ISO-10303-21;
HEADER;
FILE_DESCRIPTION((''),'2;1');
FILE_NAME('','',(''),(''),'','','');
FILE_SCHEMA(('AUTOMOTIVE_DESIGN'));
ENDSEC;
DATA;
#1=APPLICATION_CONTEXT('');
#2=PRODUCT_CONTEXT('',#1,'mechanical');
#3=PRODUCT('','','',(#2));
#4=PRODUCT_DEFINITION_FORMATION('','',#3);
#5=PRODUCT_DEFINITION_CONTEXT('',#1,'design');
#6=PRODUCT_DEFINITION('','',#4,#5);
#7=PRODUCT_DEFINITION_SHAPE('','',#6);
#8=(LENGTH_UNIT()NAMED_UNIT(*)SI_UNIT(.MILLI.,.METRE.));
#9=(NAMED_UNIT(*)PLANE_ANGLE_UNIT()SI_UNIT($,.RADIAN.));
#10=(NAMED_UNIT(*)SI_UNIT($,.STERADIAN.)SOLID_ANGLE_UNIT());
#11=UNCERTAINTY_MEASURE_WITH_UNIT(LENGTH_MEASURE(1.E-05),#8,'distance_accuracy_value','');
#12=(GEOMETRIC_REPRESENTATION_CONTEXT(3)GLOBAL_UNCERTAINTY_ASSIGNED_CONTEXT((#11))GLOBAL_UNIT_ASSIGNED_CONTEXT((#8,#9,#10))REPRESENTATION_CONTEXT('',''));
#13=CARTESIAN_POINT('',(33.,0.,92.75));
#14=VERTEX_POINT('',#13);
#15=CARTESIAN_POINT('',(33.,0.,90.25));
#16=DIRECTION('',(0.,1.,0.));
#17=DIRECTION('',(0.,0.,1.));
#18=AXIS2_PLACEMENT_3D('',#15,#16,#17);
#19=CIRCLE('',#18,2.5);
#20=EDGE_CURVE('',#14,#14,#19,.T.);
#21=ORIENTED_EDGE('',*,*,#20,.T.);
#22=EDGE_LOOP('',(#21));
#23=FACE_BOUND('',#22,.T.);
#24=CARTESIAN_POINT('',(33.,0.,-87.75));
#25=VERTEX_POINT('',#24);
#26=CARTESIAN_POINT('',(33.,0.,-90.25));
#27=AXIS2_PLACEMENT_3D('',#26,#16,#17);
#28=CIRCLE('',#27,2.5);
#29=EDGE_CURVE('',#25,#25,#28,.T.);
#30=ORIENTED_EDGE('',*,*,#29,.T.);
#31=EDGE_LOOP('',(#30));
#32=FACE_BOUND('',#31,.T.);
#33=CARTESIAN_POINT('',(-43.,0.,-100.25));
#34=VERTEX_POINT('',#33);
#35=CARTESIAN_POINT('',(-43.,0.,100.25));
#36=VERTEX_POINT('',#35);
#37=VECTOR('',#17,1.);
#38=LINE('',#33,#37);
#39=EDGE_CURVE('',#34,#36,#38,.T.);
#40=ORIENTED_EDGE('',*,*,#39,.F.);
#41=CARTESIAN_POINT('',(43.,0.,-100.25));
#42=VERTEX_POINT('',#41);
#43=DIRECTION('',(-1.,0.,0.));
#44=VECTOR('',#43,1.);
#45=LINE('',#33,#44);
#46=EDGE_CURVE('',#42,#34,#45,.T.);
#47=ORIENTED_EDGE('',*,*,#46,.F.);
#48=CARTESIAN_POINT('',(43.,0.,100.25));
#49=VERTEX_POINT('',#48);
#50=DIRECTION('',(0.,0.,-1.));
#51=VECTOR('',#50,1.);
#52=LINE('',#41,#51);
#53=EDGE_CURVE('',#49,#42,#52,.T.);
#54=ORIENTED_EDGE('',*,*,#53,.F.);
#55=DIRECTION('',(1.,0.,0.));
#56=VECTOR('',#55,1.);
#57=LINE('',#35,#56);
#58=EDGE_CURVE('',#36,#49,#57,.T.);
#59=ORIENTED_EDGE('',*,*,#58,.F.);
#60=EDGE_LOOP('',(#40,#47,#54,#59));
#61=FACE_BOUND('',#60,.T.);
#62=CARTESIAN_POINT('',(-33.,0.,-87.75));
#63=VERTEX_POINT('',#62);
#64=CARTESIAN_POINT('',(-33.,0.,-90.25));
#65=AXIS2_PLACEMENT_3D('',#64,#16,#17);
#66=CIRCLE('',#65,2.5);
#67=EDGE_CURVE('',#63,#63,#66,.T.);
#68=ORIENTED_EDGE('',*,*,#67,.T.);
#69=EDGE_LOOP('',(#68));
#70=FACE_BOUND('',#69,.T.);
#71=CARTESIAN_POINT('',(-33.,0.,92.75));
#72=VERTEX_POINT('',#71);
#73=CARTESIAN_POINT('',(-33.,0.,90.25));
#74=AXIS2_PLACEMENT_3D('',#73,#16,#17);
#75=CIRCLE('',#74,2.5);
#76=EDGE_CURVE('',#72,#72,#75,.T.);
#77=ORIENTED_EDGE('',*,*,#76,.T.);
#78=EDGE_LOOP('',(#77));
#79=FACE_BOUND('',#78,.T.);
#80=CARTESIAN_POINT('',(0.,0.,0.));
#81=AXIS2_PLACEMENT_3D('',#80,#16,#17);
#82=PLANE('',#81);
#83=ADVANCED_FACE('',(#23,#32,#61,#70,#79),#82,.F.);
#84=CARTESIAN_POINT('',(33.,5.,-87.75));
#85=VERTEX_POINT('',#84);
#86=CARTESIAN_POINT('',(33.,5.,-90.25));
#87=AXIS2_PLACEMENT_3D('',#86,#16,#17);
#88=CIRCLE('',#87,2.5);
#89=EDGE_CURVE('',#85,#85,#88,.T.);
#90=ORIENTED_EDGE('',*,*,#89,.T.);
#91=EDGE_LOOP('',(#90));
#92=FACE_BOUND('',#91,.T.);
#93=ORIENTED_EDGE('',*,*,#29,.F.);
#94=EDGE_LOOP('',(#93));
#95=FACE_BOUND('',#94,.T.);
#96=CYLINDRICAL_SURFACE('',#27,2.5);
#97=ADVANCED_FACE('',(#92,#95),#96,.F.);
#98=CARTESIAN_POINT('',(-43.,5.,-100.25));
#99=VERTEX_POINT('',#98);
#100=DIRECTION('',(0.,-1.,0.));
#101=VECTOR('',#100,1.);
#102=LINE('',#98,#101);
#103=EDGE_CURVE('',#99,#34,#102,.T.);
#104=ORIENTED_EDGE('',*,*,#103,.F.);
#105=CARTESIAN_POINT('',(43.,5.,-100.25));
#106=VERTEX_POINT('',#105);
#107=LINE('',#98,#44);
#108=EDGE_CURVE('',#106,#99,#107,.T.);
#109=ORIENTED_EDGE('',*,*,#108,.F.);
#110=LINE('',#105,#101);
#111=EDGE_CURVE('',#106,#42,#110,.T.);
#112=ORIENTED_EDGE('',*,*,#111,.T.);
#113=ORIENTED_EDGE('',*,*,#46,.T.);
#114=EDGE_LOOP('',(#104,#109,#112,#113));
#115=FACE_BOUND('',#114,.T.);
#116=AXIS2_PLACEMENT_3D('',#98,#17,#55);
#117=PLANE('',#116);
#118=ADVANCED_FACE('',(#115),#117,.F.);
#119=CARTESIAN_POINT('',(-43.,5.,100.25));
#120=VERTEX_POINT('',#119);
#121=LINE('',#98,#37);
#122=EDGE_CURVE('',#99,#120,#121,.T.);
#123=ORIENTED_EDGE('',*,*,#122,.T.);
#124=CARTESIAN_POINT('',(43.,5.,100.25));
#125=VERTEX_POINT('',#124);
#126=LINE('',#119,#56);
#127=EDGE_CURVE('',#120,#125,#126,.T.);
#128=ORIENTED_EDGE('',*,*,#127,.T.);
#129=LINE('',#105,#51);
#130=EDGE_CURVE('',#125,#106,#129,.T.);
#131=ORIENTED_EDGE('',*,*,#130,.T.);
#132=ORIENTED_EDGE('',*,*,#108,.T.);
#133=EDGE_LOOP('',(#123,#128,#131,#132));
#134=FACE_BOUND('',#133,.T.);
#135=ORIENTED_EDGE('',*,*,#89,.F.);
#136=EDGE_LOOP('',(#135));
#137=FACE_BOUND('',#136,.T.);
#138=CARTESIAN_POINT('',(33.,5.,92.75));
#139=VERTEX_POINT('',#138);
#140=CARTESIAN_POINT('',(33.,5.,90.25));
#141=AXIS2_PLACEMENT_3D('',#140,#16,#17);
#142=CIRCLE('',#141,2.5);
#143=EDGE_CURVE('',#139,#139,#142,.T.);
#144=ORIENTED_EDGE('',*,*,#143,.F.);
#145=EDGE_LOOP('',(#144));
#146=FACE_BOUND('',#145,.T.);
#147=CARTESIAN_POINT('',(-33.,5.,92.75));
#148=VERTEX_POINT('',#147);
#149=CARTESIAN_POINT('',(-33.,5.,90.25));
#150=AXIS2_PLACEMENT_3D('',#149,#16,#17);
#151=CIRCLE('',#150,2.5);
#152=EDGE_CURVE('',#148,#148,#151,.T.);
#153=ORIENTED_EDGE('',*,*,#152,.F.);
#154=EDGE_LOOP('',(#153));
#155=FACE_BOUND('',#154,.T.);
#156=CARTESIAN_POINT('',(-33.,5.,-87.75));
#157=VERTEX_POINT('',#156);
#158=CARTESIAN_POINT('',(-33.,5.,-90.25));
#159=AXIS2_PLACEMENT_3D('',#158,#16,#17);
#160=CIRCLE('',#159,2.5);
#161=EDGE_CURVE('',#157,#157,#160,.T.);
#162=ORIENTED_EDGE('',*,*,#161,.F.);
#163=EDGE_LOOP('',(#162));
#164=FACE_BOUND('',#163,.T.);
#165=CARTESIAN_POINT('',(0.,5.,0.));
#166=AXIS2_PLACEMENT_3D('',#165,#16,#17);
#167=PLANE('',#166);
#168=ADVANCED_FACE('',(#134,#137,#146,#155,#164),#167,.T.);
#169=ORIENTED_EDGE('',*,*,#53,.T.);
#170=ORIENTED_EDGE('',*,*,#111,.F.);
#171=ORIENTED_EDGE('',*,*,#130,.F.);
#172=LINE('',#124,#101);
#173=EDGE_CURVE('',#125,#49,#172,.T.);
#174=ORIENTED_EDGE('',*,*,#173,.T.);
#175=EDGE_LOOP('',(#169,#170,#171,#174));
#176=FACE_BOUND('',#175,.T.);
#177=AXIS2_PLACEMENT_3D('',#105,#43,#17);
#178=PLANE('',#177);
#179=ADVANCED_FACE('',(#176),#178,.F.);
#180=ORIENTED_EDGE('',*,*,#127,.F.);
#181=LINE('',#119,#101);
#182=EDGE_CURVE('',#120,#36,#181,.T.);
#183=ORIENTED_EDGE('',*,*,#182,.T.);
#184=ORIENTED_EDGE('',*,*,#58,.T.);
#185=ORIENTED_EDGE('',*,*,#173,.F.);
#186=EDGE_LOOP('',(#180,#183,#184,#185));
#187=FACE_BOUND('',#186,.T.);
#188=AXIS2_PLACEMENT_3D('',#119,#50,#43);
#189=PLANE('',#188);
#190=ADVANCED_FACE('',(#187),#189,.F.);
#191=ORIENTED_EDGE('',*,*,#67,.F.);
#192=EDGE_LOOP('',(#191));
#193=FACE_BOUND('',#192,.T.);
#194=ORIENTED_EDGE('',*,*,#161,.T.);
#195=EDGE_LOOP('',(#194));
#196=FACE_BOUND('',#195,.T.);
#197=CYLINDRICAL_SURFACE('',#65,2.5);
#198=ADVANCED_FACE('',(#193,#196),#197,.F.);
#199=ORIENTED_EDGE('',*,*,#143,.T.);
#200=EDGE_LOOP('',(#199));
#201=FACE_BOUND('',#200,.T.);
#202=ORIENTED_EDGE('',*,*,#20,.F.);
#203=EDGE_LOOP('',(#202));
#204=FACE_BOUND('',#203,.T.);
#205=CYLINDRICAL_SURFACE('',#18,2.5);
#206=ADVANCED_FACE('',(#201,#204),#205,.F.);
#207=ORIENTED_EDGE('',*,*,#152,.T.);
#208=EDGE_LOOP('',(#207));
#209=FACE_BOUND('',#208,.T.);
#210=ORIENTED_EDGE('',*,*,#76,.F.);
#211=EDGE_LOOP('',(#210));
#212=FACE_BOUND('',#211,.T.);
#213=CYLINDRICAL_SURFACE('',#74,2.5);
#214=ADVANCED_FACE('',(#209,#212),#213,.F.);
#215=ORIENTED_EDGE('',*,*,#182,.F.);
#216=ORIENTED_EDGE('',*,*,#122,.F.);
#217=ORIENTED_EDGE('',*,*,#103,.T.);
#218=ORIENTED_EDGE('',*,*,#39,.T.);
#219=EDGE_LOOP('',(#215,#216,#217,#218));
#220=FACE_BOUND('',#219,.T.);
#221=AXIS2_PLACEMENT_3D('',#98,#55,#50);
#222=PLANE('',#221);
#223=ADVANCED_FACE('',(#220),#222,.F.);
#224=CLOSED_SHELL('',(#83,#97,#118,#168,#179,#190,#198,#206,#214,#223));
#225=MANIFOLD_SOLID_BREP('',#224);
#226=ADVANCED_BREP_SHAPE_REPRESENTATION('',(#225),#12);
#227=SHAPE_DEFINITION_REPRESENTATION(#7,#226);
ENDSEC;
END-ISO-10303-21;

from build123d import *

# Parameters (mm, degrees)
SKETCH_1_W          = 86
SKETCH_1_H          = 200.5
EXTRUDE_1_DEPTH     = 5
SKETCH_2_R          = 2.5
CUT_EXTRUDE_1_DEPTH = 110.197355737


with BuildPart() as part:
    # 스케치1 → 보스-돌출1 (new body)
    with BuildSketch(Plane(origin=(0, 0, 0), x_dir=(1, 0, 0), z_dir=(0, 1, 0))):
        Rectangle(SKETCH_1_W, SKETCH_1_H)
    extrude(amount=EXTRUDE_1_DEPTH)

    # 스케치2 → 컷-돌출1 (cut, through all)
    with BuildSketch(Plane(origin=(0, 5, 0), x_dir=(1, 0, 0), z_dir=(0, 1, 0))):
        with Locations(Location((-33, 90.25, 0), (0, 0, 270))):
            Circle(SKETCH_2_R)
        with Locations(Location((33, 90.25, 0), (0, 0, 270))):
            Circle(SKETCH_2_R)
        with Locations(Location((-33, -90.25, 0), (0, 0, 270))):
            Circle(SKETCH_2_R)
        with Locations(Location((33, -90.25, 0), (0, 0, 270))):
            Circle(SKETCH_2_R)
    extrude(amount=-CUT_EXTRUDE_1_DEPTH, mode=Mode.SUBTRACT)


solid = part.part
